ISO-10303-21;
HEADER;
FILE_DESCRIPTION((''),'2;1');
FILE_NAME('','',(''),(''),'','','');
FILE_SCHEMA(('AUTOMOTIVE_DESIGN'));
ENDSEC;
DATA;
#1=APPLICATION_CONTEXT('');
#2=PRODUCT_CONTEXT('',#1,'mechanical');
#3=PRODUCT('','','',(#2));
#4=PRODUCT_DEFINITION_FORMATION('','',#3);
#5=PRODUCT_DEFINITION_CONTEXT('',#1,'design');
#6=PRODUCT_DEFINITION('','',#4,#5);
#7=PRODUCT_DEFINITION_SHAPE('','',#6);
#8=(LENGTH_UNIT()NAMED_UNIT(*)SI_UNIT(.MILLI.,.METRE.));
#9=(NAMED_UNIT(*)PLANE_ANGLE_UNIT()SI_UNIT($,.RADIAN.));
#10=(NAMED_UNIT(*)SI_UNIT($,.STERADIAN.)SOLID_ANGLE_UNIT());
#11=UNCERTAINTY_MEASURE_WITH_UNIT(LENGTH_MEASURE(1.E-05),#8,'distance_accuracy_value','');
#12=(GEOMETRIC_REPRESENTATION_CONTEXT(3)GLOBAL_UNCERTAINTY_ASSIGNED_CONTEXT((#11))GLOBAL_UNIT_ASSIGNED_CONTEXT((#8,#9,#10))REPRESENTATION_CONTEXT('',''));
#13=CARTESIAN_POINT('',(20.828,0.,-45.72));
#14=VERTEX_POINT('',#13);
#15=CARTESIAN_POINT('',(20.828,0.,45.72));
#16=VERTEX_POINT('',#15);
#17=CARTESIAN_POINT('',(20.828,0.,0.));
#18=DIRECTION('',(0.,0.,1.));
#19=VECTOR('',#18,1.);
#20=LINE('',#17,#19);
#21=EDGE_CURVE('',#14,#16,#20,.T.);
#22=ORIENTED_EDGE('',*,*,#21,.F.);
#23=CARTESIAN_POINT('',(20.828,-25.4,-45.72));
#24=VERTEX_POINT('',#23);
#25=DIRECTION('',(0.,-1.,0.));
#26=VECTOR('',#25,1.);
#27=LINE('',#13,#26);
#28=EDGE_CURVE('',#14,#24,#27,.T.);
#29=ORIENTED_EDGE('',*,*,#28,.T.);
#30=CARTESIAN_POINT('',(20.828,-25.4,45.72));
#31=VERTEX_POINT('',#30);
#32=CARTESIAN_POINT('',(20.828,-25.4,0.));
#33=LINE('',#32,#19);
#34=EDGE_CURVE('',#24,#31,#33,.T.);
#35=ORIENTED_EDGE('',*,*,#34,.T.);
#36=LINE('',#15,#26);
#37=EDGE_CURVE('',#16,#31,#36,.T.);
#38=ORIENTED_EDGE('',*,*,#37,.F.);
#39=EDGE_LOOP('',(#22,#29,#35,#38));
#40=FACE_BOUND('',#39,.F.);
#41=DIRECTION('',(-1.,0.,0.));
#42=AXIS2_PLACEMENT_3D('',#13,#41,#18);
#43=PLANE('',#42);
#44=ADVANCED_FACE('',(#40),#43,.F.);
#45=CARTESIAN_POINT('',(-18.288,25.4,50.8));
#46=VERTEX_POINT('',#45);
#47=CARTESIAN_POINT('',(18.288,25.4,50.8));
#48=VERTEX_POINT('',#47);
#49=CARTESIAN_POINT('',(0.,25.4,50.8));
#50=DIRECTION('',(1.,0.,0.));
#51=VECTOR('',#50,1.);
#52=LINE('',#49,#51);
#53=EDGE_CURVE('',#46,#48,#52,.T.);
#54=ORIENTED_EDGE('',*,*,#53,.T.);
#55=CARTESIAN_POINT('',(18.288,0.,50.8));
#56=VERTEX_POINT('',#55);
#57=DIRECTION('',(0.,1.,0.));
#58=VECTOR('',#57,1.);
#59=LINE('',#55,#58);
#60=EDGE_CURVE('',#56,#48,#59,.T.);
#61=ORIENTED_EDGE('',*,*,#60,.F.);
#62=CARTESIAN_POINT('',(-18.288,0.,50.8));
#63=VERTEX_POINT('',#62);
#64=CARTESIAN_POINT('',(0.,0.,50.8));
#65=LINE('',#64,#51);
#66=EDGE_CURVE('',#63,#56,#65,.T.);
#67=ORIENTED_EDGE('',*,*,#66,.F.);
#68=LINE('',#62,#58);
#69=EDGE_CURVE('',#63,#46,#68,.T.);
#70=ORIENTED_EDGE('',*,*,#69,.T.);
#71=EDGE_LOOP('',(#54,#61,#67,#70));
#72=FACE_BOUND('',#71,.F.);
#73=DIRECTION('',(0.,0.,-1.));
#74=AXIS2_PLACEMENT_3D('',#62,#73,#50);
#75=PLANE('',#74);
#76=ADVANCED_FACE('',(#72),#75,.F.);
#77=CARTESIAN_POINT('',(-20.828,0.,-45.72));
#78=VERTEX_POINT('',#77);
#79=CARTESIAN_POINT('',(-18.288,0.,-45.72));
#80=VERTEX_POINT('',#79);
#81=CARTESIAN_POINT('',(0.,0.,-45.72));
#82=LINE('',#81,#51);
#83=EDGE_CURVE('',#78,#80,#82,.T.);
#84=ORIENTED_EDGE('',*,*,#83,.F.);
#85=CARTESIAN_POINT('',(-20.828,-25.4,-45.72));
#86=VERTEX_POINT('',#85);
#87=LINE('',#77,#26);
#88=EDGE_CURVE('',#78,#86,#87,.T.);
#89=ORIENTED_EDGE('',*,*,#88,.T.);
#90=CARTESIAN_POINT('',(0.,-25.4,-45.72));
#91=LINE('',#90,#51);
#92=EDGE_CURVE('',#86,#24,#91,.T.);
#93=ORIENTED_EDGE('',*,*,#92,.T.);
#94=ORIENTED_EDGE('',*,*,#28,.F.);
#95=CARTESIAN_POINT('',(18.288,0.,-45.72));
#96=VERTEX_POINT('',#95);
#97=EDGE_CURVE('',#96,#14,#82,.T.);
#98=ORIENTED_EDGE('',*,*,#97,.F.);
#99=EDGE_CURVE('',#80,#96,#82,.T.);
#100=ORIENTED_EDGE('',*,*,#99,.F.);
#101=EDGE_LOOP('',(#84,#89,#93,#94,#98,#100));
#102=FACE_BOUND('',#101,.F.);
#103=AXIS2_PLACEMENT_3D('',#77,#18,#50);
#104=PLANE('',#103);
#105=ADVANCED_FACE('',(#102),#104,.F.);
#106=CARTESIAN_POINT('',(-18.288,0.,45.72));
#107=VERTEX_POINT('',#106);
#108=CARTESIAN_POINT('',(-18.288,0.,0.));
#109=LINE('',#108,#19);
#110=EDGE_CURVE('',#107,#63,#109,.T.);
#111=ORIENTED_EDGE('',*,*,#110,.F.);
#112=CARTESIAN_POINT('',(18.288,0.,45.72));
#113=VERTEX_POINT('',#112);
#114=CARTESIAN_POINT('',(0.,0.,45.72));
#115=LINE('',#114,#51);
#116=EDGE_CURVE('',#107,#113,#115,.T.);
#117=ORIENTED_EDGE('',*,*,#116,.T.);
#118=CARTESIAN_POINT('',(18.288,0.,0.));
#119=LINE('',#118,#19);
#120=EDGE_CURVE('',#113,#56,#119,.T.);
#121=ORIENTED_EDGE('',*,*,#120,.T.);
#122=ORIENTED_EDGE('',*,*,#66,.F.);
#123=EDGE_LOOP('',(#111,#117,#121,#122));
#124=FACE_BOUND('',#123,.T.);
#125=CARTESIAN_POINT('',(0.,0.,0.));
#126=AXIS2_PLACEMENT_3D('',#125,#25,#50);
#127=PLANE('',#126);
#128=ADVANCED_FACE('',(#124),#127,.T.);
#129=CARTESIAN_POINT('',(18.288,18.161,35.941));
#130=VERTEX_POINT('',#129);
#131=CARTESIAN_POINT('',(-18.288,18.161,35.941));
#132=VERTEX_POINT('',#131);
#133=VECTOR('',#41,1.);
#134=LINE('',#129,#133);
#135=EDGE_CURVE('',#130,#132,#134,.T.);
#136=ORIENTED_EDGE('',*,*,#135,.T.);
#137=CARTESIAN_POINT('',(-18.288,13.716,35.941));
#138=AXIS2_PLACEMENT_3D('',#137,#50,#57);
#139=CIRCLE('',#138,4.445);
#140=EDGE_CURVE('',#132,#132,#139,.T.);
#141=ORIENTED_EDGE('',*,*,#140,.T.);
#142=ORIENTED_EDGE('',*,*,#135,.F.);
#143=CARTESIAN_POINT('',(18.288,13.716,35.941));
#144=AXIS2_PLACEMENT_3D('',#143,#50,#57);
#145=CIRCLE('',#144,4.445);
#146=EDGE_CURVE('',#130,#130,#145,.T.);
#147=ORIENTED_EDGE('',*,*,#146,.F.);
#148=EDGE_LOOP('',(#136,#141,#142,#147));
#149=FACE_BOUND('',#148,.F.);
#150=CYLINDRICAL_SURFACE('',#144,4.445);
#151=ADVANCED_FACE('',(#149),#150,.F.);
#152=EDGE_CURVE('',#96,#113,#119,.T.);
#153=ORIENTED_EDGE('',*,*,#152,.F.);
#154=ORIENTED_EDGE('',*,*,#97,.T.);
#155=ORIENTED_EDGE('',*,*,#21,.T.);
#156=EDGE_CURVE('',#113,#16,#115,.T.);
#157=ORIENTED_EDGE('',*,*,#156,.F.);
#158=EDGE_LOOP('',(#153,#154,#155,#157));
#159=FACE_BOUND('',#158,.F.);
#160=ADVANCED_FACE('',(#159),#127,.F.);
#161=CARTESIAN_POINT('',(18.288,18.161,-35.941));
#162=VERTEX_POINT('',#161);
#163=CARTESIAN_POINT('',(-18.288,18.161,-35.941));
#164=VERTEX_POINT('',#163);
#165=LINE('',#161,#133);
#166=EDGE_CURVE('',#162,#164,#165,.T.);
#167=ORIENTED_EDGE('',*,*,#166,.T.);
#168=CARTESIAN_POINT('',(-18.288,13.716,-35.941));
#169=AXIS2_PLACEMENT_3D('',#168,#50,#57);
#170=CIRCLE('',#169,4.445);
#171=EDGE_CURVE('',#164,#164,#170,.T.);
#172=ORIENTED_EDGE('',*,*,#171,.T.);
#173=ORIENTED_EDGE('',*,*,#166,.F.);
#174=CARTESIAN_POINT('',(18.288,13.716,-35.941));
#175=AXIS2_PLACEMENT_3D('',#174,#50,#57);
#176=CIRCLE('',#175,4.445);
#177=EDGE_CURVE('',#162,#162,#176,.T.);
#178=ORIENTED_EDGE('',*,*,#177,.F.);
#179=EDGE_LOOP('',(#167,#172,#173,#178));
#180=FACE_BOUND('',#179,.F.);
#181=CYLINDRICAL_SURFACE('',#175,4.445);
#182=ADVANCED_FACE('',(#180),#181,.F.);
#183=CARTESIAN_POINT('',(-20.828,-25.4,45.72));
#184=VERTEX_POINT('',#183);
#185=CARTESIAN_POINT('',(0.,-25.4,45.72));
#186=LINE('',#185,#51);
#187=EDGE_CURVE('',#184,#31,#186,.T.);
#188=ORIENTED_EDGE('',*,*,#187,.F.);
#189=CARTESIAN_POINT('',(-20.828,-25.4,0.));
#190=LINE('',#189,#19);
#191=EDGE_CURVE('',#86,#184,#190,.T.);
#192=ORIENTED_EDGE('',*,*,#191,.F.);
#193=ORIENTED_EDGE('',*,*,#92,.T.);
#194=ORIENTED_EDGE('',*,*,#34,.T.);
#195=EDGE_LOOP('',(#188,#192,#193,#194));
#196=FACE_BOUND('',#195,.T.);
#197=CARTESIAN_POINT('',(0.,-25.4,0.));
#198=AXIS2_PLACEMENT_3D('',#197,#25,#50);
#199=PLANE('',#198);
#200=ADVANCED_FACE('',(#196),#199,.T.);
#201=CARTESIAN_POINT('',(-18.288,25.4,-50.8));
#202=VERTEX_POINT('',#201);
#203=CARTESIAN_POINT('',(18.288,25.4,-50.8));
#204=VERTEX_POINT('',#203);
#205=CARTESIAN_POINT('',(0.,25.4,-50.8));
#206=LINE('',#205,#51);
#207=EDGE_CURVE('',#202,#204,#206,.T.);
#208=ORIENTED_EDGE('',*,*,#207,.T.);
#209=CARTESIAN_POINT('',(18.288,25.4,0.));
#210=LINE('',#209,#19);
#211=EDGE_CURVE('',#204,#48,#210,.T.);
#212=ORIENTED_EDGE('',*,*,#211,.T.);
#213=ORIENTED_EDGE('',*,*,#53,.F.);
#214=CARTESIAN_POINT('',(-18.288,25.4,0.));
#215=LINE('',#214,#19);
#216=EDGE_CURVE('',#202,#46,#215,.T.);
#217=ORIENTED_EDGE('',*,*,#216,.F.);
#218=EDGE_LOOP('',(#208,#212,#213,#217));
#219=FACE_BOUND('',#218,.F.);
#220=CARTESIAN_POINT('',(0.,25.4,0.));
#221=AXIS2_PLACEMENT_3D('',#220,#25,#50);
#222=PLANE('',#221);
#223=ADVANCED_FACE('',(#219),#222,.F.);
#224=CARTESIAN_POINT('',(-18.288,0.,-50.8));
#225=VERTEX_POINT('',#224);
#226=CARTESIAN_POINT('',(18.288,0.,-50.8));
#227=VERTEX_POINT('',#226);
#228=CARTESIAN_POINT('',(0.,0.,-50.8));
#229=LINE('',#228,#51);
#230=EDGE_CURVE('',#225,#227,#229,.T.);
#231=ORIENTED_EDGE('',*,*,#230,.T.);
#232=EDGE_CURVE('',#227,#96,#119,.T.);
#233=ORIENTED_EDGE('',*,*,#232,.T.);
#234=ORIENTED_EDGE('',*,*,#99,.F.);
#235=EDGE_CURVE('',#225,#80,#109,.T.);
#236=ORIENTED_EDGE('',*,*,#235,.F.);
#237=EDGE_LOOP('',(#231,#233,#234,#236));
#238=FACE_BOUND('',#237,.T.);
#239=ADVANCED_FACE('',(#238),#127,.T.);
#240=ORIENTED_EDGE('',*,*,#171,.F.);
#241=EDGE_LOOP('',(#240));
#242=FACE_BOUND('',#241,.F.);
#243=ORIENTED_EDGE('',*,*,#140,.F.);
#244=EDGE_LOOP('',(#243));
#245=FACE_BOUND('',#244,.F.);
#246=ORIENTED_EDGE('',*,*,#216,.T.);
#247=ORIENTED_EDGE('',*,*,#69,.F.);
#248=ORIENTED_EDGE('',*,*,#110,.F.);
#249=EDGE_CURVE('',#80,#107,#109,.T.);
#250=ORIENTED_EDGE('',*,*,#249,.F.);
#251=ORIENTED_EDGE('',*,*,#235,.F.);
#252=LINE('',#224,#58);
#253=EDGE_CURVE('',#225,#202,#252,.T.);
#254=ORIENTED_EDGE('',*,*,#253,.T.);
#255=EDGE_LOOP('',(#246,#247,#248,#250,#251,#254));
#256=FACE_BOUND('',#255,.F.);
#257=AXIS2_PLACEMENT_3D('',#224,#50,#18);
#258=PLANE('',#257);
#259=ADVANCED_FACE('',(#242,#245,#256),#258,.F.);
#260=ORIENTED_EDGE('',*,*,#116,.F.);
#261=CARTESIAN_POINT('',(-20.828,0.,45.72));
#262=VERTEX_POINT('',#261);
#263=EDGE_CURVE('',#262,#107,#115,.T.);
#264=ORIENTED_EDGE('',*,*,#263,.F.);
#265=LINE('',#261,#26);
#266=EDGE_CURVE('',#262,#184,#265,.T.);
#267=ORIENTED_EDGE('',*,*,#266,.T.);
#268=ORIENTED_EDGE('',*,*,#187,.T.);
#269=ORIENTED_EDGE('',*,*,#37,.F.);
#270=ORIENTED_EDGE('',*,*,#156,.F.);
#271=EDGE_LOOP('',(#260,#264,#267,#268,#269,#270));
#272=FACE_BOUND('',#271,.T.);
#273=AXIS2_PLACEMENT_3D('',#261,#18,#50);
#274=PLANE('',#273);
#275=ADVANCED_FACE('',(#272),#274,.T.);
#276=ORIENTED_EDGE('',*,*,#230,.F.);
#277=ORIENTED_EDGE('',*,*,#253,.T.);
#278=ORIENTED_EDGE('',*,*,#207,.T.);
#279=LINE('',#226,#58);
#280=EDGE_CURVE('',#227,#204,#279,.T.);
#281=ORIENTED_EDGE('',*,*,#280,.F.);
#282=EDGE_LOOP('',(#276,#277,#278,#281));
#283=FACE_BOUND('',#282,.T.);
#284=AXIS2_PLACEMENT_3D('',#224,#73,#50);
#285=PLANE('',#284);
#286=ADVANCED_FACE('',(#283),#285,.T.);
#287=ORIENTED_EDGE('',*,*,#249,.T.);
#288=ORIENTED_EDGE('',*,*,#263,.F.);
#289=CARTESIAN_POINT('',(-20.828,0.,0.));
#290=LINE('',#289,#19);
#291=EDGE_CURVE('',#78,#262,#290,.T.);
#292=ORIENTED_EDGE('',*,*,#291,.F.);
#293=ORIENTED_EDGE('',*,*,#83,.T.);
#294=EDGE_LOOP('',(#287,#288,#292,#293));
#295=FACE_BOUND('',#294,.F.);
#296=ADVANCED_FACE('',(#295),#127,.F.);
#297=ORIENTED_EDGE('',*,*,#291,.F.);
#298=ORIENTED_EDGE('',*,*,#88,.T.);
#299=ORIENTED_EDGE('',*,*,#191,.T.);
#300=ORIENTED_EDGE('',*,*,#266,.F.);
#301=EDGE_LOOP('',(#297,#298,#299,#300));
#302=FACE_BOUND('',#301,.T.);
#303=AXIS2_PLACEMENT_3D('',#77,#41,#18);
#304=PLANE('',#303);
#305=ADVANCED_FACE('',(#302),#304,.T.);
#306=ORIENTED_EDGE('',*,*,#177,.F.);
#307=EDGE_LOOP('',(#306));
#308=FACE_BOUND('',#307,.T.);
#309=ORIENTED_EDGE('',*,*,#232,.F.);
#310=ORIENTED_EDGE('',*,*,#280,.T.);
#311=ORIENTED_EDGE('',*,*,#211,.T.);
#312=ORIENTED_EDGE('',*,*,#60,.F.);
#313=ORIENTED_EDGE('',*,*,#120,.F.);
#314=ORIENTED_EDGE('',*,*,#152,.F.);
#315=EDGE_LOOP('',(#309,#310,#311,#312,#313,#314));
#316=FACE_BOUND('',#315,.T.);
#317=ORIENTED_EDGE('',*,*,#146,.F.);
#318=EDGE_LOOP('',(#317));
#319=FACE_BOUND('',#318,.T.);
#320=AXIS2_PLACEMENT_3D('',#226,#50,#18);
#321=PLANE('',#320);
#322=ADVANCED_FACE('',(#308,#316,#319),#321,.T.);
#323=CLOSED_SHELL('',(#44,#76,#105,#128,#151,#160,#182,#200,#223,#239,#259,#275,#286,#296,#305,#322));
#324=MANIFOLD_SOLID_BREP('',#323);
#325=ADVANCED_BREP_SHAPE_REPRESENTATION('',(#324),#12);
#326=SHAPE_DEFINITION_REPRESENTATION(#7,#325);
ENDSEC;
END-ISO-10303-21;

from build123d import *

# Parameters (mm, degrees)
F0_W     = 41.656
F0_H     = 91.44
F1_DEPTH = 25.4
F2_W     = 36.576
F2_H     = 101.6
F3_DEPTH = 25.4
F4_R     = 4.445
F5_DEPTH = 36.576


with BuildPart() as f1:
    # F0 (on Front) → F1 (new body)
    with BuildSketch(Plane.XZ):
        Rectangle(F0_W, F0_H)
    extrude(amount=F1_DEPTH)

    # F2 (on Front) → F3 (join)
    with BuildSketch(Plane.XZ):
        Rectangle(F2_W, F2_H)
    extrude(amount=-F3_DEPTH)

    # F4 (on face) → F5 (cut, through all)
    with BuildSketch(Plane.YZ.offset(18.288)):
        with Locations((13.716, 35.941)):
            Circle(F4_R)
        with Locations((13.716, -35.941)):
            Circle(F4_R)
    extrude(amount=-F5_DEPTH, mode=Mode.SUBTRACT)


solid = f1.part
